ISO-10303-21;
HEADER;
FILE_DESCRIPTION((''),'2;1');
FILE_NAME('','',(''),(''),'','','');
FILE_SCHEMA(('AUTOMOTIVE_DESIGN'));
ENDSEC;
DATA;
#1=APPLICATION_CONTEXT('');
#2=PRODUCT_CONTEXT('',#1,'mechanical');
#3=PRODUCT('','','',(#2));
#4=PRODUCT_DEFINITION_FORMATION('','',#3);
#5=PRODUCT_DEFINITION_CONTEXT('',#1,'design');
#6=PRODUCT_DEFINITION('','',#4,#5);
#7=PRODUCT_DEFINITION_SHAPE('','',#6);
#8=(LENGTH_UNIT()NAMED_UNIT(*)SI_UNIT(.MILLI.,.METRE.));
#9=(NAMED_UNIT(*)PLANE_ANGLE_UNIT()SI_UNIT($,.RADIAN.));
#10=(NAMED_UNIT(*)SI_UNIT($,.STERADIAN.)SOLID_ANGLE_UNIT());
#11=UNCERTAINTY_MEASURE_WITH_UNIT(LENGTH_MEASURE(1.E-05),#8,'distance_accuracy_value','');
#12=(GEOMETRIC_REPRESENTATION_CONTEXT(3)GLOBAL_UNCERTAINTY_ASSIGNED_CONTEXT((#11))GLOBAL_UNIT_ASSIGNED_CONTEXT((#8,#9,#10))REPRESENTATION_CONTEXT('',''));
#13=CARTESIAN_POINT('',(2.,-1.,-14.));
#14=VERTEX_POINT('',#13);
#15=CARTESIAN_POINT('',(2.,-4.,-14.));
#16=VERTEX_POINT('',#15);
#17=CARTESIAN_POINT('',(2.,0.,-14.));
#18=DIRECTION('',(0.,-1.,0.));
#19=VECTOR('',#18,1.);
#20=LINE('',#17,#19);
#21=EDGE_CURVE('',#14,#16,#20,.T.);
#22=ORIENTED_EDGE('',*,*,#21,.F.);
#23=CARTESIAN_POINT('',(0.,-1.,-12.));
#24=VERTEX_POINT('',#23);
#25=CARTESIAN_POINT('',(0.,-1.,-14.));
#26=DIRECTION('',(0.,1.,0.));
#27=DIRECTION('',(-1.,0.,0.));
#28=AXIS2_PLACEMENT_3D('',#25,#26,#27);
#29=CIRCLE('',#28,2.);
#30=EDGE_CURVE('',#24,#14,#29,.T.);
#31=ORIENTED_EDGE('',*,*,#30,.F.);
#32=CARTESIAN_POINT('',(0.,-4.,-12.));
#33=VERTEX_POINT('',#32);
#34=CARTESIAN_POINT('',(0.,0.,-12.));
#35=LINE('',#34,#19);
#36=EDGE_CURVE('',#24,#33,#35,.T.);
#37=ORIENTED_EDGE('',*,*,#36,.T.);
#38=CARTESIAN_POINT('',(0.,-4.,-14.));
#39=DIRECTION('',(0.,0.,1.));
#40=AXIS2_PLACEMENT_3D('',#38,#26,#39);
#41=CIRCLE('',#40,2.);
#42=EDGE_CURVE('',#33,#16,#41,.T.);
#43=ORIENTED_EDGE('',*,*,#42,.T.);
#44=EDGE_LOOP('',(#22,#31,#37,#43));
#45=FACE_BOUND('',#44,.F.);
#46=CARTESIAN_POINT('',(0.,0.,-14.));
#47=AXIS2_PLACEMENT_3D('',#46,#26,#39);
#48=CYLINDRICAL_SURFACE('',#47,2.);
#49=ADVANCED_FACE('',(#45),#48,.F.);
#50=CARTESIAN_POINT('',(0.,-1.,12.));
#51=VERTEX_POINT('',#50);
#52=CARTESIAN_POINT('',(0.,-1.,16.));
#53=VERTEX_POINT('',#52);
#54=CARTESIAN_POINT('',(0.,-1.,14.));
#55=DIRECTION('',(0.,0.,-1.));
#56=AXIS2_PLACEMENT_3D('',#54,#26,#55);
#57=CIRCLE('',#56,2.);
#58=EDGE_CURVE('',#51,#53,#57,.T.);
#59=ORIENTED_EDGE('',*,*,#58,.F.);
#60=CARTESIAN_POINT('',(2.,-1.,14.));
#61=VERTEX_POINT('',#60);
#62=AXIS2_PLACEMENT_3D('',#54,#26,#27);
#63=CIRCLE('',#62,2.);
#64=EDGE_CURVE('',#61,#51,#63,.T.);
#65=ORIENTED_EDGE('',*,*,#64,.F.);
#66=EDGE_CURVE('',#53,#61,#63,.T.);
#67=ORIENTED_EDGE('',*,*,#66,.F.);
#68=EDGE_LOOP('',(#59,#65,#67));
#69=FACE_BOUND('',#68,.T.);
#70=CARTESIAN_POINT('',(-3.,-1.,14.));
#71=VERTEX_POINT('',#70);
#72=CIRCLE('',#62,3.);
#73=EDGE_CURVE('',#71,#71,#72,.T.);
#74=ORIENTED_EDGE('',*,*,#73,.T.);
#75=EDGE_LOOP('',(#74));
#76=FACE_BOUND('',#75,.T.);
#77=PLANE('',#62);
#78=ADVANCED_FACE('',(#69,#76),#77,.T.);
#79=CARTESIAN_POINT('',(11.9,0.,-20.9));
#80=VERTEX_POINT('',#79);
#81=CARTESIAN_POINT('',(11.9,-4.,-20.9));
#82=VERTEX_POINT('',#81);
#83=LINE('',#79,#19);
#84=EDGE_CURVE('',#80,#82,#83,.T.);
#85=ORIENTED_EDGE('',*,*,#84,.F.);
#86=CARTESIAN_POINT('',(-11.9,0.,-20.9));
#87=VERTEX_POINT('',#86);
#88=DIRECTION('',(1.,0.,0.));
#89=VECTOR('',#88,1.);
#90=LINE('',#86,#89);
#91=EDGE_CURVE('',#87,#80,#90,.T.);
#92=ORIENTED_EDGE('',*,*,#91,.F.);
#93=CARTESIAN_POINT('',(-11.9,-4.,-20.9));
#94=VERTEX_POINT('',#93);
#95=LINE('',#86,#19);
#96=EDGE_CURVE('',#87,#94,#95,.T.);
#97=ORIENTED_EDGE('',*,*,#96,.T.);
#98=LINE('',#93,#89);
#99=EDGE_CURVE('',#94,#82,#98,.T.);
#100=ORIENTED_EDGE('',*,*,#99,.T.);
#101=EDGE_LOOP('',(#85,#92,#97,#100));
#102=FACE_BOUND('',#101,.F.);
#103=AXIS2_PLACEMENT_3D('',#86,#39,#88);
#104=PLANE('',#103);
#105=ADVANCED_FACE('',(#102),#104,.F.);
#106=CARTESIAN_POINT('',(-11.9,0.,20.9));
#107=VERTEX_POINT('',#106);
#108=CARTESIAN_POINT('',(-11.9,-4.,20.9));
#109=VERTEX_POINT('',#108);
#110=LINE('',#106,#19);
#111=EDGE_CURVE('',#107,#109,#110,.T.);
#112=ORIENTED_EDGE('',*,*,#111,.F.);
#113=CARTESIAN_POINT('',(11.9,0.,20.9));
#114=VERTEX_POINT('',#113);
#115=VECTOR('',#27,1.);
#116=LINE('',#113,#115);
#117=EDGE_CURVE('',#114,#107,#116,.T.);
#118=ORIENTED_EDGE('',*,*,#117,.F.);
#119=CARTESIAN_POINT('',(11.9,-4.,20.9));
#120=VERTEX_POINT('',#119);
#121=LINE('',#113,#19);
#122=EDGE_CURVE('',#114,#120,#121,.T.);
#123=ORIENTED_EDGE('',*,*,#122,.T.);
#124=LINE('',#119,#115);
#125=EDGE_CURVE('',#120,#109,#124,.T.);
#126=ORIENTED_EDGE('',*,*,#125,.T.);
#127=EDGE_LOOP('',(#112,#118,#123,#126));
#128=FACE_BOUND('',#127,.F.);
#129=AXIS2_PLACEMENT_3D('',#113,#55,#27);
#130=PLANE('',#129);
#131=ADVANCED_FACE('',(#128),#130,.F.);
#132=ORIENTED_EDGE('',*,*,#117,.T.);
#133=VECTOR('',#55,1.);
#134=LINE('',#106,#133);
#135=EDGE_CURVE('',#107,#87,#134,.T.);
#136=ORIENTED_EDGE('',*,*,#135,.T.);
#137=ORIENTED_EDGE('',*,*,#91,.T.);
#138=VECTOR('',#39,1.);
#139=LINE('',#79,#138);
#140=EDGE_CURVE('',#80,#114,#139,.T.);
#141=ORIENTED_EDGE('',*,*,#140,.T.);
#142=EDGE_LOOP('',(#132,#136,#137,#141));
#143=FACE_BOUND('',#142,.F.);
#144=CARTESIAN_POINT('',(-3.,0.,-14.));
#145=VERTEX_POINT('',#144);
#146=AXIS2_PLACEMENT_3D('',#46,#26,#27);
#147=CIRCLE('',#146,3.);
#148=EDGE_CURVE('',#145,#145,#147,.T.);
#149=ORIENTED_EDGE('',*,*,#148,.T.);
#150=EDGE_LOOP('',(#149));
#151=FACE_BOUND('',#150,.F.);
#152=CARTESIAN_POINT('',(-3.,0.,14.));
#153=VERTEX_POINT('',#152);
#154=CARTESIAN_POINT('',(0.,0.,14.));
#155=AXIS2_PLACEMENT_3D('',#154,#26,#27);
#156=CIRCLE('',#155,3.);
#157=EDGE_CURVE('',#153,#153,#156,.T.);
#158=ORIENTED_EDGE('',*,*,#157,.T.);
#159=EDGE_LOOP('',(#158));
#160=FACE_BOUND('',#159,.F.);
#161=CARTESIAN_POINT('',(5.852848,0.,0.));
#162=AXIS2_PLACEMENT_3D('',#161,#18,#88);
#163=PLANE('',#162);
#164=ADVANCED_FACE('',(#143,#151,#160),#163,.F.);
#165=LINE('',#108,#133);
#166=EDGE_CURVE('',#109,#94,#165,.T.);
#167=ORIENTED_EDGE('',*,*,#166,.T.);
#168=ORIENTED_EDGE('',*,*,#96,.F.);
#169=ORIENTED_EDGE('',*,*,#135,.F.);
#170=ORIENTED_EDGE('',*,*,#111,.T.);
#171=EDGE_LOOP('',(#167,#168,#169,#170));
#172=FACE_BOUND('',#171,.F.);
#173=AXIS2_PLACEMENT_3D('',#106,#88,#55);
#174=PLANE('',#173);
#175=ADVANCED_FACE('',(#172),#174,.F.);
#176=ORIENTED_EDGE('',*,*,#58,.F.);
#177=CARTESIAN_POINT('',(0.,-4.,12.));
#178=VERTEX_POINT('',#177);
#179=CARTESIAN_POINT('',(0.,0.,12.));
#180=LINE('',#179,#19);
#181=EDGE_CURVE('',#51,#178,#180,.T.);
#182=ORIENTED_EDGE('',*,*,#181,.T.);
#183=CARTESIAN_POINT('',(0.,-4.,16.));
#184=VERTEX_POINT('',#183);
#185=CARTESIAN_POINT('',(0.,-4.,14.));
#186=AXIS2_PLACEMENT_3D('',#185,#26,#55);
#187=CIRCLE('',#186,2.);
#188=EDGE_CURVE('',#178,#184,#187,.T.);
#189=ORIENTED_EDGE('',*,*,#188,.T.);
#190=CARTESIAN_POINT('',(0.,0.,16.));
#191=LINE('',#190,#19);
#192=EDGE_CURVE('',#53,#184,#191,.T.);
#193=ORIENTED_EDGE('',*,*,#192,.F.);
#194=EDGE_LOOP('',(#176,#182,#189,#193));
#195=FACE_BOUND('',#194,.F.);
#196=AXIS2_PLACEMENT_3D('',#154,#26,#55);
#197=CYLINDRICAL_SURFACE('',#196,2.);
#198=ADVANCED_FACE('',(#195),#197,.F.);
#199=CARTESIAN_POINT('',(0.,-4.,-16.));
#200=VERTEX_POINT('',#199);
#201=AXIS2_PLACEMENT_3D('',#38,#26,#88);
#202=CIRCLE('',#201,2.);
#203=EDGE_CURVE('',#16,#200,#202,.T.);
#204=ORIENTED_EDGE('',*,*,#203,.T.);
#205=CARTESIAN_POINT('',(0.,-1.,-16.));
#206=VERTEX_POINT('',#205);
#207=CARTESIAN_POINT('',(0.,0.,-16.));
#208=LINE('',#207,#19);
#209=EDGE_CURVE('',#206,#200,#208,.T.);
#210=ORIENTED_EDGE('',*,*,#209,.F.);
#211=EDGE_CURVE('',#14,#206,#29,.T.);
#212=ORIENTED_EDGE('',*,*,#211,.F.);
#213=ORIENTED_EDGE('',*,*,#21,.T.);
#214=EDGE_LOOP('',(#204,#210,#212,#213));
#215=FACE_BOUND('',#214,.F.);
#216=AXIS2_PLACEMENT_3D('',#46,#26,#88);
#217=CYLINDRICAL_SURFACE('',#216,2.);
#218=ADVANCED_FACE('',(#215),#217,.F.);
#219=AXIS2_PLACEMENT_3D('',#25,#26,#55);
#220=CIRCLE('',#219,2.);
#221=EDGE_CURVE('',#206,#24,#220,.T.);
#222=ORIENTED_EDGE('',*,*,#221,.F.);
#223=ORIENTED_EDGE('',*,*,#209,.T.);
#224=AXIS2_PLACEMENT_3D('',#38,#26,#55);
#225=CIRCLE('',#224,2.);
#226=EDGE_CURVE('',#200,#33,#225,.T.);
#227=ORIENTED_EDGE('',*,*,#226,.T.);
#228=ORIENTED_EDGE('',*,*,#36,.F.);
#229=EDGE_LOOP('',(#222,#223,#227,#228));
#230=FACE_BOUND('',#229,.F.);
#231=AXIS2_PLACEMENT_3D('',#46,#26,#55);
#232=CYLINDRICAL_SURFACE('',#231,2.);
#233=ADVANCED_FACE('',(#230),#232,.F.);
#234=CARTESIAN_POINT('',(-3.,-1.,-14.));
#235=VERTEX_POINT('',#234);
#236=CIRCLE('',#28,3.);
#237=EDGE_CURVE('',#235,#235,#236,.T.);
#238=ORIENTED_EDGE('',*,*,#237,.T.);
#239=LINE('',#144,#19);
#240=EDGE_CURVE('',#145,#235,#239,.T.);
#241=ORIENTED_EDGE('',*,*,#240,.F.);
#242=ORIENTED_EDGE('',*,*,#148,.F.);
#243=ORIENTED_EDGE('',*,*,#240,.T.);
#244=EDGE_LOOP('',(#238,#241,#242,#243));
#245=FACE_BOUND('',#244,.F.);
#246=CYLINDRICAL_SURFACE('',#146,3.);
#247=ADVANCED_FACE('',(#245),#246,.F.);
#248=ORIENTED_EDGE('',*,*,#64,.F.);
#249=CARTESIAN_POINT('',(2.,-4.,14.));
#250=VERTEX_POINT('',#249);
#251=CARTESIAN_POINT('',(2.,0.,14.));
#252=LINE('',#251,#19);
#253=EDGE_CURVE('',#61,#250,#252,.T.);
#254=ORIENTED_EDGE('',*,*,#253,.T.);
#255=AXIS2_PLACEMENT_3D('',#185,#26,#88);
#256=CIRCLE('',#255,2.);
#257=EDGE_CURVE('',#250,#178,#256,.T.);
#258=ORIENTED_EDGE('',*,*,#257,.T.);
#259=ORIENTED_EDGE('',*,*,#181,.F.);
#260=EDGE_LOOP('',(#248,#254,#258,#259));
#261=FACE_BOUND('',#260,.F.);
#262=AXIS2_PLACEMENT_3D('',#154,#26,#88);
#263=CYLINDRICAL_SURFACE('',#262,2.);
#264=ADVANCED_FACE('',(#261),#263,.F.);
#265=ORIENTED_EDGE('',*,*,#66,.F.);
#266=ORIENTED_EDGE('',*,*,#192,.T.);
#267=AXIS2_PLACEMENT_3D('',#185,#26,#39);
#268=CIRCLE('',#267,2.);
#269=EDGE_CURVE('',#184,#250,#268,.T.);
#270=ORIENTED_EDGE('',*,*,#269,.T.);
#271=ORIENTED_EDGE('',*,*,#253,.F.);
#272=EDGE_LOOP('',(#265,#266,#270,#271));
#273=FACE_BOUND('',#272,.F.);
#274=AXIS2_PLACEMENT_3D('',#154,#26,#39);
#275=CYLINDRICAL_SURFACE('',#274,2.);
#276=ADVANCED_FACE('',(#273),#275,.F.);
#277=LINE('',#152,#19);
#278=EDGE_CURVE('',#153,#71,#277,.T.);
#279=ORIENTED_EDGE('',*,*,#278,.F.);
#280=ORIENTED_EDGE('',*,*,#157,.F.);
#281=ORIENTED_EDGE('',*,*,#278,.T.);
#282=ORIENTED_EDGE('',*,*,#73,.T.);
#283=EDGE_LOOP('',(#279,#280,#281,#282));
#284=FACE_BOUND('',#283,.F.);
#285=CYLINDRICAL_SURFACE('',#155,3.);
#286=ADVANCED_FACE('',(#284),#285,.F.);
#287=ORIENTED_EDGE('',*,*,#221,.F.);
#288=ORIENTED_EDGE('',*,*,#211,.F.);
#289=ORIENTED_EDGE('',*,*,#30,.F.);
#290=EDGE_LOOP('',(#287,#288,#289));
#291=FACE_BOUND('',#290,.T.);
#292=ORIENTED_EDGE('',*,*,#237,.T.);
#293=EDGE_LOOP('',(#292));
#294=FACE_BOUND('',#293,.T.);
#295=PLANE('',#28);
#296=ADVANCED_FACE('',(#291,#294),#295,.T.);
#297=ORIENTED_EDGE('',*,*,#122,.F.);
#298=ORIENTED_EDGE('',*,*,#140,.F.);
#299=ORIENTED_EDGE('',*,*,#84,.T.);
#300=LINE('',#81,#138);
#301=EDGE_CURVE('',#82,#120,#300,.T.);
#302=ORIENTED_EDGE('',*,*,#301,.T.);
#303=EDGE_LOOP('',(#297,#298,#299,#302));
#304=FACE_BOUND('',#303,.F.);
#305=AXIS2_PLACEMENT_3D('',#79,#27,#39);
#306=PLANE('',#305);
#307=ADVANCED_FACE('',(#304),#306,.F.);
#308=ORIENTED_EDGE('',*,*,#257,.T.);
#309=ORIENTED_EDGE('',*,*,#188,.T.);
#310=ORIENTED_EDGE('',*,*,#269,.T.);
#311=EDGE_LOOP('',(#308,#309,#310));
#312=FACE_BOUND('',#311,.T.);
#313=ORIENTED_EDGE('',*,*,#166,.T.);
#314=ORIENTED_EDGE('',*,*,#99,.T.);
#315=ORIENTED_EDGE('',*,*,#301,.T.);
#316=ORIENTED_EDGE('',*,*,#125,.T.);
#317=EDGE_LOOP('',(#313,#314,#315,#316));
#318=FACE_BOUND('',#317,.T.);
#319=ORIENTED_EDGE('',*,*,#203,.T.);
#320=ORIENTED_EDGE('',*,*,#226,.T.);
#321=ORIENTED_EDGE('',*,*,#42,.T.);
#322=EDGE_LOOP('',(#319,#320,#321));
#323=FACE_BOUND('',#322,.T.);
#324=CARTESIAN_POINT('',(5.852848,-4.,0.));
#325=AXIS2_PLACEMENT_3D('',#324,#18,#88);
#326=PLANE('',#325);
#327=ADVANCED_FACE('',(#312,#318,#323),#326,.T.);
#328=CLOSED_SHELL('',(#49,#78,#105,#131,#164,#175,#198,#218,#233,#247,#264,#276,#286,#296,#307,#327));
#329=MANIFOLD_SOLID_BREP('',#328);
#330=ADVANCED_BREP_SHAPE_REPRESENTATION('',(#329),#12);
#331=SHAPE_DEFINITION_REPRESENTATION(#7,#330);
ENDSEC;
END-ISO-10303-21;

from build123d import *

# Parameters (mm, degrees)
F1_DEPTH = 4
F2_R     = 3
F2_R_2   = 2
F3_DEPTH = 1


with BuildPart() as f1:
    # F0 (on Front) → F1 (new body)
    with BuildSketch(Plane.XZ):
        with BuildLine():
            Line((11.9, -20.9), (11.9, 20.9))
            Line((11.9, 20.9), (0, 20.9))
            Line((0, 20.9), (0, 16))
            ThreePointArc((0, 16), (1.4142135624, 15.4142135624), (2, 14))
            ThreePointArc((2, 14), (1.4142135624, 12.5857864376), (0, 12))
            Line((0, 12), (0, 0))
            Line((0, 0), (0, -12))
            ThreePointArc((0, -12), (1.4142135624, -12.5857864376), (2, -14))
            ThreePointArc((2, -14), (1.4142135624, -15.4142135624), (0, -16))
            Line((0, -16), (0, -20.9))
            Line((0, -20.9), (11.9, -20.9))
        make_face()
        with BuildLine():
            Line((0, 16), (0, 20.9))
            Line((0, 20.9), (-11.9, 20.9))
            Line((-11.9, 20.9), (-11.9, -20.9))
            Line((-11.9, -20.9), (0, -20.9))
            Line((0, -20.9), (0, -16))
            ThreePointArc((0, -16), (-2, -14), (0, -12))
            Line((0, -12), (0, 0))
            Line((0, 0), (0, 12))
            ThreePointArc((0, 12), (-2, 14), (0, 16))
        make_face()
    extrude(amount=F1_DEPTH)

    # F2 (on face) → F3 (cut)
    with BuildSketch(Plane(origin=(0, 0, 0), x_dir=(-1, 0, 0), z_dir=(0, 1, 0))):
        with Locations((0, 14)):
            Circle(F2_R)
        with Locations((0, 14)):
            Circle(F2_R_2, mode=Mode.SUBTRACT)
        with Locations((0, -14)):
            Circle(F2_R)
        with Locations((0, -14)):
            Circle(F2_R_2, mode=Mode.SUBTRACT)
    extrude(amount=-F3_DEPTH, mode=Mode.SUBTRACT)


solid = f1.part
